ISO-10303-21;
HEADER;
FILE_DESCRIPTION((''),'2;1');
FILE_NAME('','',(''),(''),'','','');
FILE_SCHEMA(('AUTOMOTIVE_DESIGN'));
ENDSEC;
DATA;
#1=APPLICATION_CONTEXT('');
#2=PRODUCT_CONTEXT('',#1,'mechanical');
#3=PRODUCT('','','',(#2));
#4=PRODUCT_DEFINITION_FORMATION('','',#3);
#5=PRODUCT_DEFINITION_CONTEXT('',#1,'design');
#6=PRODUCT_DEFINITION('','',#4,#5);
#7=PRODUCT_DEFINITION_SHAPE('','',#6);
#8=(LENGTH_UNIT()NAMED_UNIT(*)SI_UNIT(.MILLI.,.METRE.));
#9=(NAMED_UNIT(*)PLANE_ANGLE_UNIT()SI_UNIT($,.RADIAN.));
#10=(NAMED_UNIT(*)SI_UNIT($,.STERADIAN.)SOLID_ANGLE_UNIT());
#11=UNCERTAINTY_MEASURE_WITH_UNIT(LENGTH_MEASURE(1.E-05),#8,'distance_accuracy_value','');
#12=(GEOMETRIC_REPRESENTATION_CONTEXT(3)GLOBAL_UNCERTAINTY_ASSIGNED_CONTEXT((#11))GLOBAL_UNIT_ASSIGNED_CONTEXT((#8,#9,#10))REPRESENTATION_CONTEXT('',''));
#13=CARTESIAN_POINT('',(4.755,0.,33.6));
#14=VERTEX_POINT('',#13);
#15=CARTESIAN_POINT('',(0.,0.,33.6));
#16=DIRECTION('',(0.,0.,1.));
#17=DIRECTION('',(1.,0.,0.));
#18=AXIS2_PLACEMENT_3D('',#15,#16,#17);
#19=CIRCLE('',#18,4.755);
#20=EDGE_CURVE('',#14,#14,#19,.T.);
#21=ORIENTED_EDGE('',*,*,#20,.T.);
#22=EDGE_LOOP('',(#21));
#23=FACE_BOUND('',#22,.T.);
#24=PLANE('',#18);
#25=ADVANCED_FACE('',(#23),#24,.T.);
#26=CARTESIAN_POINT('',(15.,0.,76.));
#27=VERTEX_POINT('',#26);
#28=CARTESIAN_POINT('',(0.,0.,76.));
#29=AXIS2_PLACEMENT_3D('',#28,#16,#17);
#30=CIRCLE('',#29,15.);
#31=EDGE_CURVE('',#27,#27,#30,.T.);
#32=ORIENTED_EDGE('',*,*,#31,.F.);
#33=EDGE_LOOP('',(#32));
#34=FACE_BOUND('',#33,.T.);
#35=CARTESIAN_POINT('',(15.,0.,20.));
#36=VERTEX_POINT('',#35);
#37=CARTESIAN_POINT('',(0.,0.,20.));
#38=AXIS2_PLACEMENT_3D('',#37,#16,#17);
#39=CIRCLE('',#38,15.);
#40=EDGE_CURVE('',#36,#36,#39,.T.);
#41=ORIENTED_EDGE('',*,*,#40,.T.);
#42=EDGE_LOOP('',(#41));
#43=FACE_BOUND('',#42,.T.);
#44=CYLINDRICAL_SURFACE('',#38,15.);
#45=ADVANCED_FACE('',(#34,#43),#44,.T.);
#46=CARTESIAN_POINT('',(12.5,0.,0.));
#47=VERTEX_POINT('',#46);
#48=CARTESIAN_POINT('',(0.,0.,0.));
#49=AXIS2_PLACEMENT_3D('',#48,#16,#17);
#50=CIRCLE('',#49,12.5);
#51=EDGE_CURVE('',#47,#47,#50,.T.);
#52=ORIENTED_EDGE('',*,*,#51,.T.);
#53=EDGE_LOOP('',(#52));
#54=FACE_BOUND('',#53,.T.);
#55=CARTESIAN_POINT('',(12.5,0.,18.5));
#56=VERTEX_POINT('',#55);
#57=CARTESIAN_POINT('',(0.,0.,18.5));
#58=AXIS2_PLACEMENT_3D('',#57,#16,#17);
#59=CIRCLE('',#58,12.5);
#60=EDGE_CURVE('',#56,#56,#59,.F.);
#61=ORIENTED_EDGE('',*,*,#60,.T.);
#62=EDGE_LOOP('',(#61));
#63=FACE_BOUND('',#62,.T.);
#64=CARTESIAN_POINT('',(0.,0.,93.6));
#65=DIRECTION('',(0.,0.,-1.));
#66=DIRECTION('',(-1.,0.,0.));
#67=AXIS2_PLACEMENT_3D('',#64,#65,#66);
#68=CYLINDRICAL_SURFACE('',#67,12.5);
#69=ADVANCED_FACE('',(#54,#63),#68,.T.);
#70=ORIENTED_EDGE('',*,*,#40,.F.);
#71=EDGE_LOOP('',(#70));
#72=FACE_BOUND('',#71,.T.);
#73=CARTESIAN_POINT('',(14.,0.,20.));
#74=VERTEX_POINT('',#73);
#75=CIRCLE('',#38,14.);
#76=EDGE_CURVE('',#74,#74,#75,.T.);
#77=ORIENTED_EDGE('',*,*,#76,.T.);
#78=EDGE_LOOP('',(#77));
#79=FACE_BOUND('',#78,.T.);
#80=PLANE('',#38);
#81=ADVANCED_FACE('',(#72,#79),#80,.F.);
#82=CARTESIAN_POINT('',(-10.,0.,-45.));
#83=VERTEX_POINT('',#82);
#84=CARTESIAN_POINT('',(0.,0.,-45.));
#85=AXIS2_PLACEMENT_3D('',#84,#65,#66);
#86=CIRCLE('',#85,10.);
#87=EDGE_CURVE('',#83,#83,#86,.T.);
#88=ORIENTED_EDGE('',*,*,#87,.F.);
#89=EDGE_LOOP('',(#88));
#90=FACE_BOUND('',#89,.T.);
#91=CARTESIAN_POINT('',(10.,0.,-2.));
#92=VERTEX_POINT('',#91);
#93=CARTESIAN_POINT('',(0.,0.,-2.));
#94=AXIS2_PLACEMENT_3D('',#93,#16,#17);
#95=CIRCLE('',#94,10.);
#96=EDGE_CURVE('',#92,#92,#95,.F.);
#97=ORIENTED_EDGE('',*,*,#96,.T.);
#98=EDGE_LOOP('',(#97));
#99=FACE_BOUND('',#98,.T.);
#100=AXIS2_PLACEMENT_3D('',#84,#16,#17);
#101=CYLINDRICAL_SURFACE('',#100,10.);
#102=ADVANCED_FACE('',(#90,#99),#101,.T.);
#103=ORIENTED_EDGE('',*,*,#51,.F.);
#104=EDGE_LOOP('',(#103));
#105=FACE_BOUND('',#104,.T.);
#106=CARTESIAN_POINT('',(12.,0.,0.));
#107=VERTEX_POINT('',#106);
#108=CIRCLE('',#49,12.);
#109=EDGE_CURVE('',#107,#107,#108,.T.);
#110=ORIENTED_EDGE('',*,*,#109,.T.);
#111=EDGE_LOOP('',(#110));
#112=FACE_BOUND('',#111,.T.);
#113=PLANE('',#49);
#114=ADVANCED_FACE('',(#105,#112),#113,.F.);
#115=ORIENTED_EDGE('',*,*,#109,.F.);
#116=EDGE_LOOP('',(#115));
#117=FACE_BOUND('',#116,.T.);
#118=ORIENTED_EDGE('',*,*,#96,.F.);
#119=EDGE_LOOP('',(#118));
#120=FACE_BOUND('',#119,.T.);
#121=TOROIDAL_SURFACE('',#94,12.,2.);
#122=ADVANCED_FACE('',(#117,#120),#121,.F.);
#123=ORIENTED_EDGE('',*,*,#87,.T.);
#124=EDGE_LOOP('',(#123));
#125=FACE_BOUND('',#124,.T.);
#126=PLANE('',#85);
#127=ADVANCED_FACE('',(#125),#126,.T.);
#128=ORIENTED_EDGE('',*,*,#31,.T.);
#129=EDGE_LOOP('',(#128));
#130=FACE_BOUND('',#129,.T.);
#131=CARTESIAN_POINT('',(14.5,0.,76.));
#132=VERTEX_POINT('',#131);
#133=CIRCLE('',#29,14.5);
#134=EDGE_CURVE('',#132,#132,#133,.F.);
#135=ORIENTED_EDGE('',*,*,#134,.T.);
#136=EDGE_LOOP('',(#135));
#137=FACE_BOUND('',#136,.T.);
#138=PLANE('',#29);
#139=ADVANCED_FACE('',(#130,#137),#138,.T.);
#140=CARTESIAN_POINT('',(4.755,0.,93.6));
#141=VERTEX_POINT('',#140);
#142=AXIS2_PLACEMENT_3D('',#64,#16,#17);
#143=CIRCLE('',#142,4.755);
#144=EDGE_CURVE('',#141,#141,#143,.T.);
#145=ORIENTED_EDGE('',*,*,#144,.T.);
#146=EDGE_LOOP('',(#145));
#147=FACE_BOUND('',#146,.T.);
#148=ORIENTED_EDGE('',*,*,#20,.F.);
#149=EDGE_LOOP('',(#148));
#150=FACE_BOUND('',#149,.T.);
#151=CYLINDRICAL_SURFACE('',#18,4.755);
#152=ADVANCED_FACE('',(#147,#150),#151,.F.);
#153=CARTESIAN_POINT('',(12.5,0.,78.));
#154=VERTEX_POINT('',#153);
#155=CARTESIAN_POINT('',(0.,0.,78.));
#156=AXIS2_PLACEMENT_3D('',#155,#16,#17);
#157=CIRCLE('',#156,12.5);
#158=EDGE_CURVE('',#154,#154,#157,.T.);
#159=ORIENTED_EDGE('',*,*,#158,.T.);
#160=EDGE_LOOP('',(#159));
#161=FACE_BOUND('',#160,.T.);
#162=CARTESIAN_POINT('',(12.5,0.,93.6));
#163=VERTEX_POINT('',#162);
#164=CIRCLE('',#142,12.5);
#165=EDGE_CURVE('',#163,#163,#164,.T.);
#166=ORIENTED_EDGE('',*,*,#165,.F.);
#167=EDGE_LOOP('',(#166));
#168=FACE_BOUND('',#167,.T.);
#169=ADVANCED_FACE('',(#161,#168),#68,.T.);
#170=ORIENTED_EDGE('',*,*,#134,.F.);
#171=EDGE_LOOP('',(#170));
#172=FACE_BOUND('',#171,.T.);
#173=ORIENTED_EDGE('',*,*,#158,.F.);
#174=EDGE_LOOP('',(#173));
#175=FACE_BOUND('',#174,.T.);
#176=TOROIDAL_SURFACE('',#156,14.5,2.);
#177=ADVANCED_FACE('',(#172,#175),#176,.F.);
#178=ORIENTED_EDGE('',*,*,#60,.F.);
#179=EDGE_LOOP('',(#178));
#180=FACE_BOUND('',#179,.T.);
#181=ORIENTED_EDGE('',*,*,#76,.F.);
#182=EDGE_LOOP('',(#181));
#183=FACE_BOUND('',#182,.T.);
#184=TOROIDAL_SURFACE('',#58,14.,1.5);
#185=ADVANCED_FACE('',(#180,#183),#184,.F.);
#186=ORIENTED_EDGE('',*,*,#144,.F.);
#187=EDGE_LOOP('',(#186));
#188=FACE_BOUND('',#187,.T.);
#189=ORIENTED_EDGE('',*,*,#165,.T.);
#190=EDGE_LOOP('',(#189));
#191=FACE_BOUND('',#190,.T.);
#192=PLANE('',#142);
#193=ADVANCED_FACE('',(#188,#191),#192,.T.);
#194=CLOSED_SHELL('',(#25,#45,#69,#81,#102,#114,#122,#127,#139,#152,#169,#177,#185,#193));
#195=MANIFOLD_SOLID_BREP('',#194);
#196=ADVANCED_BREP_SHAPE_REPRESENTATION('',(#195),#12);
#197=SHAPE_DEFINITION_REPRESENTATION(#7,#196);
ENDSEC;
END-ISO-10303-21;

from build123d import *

# Parameters (mm, degrees)
SKETCH1_R           = 12.5
BOSS_EXTRUDE1_DEPTH = 93.6
SKETCH2_R           = 15
BOSS_EXTRUDE2_DEPTH = 56
SKETCH3_R           = 10
BOSS_EXTRUDE3_DEPTH = 45
SKETCH4_R           = 4.755
CUT_EXTRUDE1_DEPTH  = 60
FILLET2_R           = 2
FILLET3_R           = 1.5
FILLET4_R           = 2


with BuildPart() as part:
    # Sketch1 → Boss-Extrude1 (new body)
    with BuildSketch(Plane.XY):
        Circle(SKETCH1_R)
    extrude(amount=BOSS_EXTRUDE1_DEPTH)

    # Sketch2 → Boss-Extrude2 (add)
    with BuildSketch(Plane.XY.offset(76)):
        Circle(SKETCH2_R)
    extrude(amount=-BOSS_EXTRUDE2_DEPTH)

    # Sketch3 → Boss-Extrude3 (add)
    with BuildSketch(Plane(origin=(0, 0, 0), x_dir=(-1, 0, 0), z_dir=(0, 0, -1))):
        Circle(SKETCH3_R)
    extrude(amount=BOSS_EXTRUDE3_DEPTH)

    # Sketch4 → Cut-Extrude1 (cut)
    with BuildSketch(Plane.XY.offset(93.6)):
        Circle(SKETCH4_R)
    extrude(amount=-CUT_EXTRUDE1_DEPTH, mode=Mode.SUBTRACT)

    # Fillet2
    fillet2_edges = [part.edges().sort_by_distance(p)[0] for p in [
        (-12.5, 0, 76),
    ]]
    fillet(fillet2_edges, radius=FILLET2_R)

    # Fillet3
    fillet3_edges = [part.edges().sort_by_distance(p)[0] for p in [
        (-12.5, 0, 20),
    ]]
    fillet(fillet3_edges, radius=FILLET3_R)

    # Fillet4
    fillet4_edges = [part.edges().sort_by_distance(p)[0] for p in [
        (10, 0, 0),
    ]]
    fillet(fillet4_edges, radius=FILLET4_R)


solid = part.part
